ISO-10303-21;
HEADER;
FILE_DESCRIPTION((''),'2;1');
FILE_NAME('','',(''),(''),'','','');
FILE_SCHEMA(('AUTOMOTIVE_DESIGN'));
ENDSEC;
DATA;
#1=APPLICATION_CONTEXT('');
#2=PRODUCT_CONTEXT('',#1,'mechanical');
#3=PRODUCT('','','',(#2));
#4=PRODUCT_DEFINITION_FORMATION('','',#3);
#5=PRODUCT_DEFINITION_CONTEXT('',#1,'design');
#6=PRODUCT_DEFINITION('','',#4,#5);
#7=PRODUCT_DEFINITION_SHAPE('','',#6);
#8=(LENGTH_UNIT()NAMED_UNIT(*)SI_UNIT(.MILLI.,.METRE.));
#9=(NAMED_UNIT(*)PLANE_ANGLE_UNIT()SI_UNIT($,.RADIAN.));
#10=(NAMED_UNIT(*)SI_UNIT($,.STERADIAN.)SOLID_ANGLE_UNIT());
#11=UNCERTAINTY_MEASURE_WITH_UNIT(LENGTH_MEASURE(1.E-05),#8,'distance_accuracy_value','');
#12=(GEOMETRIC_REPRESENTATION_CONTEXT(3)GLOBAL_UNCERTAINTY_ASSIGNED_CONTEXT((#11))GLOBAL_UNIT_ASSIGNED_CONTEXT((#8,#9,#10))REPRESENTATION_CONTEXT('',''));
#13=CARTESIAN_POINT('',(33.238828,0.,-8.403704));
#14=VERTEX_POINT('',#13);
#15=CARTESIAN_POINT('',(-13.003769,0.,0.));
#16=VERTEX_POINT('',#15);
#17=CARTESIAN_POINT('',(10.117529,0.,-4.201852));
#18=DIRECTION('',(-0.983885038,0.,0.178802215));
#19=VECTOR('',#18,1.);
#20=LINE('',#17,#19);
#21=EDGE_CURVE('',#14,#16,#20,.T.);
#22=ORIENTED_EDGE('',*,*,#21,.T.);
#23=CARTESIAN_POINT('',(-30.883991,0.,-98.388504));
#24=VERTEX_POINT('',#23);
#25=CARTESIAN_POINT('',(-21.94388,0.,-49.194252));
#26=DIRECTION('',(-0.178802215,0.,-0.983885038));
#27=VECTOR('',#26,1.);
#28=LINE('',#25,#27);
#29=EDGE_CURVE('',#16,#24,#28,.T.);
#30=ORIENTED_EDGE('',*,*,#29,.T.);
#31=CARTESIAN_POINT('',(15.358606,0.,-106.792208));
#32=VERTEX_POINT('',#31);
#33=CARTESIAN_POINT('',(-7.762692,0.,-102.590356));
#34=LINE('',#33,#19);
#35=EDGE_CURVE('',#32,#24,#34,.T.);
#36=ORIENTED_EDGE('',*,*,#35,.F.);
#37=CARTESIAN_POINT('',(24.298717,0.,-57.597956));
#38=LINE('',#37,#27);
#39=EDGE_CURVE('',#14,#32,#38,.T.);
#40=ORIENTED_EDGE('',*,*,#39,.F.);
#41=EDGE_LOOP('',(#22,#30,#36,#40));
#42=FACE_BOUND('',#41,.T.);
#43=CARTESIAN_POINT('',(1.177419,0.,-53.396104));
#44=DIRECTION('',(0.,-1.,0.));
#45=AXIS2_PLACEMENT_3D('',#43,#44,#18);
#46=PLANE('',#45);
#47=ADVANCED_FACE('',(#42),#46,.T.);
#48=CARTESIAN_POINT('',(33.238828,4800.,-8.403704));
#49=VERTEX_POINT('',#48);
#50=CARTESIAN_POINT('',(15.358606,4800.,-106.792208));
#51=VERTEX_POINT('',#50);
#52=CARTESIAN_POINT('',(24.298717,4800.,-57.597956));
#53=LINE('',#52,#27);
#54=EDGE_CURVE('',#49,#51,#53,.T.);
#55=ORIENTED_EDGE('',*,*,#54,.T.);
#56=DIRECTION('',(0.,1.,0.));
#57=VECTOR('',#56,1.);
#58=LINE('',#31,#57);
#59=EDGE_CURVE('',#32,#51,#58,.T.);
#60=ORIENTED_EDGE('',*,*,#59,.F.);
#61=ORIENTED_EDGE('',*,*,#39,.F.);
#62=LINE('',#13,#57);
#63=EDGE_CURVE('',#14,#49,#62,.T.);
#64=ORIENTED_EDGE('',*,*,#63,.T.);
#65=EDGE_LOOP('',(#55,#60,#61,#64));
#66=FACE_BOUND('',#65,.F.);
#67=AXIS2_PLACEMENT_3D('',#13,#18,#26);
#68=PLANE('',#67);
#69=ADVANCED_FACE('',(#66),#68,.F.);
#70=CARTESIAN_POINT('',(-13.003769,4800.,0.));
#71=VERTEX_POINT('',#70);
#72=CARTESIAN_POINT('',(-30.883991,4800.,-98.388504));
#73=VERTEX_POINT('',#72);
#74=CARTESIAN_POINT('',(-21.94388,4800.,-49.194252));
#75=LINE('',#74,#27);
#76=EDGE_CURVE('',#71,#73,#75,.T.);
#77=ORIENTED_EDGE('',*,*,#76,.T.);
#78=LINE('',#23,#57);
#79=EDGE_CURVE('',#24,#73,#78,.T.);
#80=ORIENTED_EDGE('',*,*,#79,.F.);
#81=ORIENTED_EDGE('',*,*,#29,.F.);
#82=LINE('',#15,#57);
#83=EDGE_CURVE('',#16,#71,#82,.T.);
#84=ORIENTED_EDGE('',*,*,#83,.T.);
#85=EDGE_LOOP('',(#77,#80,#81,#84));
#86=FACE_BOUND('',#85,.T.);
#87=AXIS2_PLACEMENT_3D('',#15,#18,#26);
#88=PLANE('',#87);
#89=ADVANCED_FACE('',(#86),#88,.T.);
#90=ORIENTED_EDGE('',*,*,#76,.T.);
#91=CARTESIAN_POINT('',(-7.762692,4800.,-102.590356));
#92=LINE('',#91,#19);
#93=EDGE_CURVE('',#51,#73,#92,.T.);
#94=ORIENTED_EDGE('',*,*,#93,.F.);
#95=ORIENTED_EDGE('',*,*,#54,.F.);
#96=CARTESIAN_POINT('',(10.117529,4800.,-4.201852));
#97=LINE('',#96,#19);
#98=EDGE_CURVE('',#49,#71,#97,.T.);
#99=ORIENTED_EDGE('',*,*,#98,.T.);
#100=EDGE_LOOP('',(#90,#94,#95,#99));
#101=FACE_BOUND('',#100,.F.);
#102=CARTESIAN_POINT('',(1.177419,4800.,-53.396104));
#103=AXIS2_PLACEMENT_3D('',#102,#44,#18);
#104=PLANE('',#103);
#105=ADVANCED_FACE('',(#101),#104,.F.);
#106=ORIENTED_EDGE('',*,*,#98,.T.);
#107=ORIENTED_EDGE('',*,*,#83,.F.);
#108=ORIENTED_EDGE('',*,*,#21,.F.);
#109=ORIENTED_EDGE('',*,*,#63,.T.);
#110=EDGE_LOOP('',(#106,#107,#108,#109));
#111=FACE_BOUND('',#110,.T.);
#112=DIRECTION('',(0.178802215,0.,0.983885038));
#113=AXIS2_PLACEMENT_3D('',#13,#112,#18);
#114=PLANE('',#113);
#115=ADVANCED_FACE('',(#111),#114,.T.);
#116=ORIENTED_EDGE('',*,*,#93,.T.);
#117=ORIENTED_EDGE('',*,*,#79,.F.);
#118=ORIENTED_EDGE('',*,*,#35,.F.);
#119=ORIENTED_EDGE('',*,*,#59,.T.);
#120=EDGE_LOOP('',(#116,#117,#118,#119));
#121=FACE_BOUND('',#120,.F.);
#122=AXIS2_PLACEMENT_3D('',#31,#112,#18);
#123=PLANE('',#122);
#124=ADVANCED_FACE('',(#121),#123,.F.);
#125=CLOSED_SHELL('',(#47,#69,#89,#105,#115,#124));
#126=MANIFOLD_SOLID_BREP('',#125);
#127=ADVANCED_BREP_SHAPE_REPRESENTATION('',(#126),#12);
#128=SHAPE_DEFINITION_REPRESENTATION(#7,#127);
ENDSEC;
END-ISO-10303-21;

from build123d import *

# Parameters (mm, degrees)
F0_W     = 47
F0_H     = 100
F1_DEPTH = 4800
F2_ANGLE = 169.7


with BuildPart() as f1:
    # F0 (on Front) → F1 (new body)
    with BuildSketch(Plane.XZ):
        with Locations((-36.503769, 50)):
            Rectangle(F0_W, F0_H)
    extrude(amount=-F1_DEPTH)


with BuildPart() as f1_1:
    # F2: moved
    add(f1.part.rotate(Axis((-13.003769, 2400, 0), (0, -1, 0)), F2_ANGLE))


solid = f1_1.part
